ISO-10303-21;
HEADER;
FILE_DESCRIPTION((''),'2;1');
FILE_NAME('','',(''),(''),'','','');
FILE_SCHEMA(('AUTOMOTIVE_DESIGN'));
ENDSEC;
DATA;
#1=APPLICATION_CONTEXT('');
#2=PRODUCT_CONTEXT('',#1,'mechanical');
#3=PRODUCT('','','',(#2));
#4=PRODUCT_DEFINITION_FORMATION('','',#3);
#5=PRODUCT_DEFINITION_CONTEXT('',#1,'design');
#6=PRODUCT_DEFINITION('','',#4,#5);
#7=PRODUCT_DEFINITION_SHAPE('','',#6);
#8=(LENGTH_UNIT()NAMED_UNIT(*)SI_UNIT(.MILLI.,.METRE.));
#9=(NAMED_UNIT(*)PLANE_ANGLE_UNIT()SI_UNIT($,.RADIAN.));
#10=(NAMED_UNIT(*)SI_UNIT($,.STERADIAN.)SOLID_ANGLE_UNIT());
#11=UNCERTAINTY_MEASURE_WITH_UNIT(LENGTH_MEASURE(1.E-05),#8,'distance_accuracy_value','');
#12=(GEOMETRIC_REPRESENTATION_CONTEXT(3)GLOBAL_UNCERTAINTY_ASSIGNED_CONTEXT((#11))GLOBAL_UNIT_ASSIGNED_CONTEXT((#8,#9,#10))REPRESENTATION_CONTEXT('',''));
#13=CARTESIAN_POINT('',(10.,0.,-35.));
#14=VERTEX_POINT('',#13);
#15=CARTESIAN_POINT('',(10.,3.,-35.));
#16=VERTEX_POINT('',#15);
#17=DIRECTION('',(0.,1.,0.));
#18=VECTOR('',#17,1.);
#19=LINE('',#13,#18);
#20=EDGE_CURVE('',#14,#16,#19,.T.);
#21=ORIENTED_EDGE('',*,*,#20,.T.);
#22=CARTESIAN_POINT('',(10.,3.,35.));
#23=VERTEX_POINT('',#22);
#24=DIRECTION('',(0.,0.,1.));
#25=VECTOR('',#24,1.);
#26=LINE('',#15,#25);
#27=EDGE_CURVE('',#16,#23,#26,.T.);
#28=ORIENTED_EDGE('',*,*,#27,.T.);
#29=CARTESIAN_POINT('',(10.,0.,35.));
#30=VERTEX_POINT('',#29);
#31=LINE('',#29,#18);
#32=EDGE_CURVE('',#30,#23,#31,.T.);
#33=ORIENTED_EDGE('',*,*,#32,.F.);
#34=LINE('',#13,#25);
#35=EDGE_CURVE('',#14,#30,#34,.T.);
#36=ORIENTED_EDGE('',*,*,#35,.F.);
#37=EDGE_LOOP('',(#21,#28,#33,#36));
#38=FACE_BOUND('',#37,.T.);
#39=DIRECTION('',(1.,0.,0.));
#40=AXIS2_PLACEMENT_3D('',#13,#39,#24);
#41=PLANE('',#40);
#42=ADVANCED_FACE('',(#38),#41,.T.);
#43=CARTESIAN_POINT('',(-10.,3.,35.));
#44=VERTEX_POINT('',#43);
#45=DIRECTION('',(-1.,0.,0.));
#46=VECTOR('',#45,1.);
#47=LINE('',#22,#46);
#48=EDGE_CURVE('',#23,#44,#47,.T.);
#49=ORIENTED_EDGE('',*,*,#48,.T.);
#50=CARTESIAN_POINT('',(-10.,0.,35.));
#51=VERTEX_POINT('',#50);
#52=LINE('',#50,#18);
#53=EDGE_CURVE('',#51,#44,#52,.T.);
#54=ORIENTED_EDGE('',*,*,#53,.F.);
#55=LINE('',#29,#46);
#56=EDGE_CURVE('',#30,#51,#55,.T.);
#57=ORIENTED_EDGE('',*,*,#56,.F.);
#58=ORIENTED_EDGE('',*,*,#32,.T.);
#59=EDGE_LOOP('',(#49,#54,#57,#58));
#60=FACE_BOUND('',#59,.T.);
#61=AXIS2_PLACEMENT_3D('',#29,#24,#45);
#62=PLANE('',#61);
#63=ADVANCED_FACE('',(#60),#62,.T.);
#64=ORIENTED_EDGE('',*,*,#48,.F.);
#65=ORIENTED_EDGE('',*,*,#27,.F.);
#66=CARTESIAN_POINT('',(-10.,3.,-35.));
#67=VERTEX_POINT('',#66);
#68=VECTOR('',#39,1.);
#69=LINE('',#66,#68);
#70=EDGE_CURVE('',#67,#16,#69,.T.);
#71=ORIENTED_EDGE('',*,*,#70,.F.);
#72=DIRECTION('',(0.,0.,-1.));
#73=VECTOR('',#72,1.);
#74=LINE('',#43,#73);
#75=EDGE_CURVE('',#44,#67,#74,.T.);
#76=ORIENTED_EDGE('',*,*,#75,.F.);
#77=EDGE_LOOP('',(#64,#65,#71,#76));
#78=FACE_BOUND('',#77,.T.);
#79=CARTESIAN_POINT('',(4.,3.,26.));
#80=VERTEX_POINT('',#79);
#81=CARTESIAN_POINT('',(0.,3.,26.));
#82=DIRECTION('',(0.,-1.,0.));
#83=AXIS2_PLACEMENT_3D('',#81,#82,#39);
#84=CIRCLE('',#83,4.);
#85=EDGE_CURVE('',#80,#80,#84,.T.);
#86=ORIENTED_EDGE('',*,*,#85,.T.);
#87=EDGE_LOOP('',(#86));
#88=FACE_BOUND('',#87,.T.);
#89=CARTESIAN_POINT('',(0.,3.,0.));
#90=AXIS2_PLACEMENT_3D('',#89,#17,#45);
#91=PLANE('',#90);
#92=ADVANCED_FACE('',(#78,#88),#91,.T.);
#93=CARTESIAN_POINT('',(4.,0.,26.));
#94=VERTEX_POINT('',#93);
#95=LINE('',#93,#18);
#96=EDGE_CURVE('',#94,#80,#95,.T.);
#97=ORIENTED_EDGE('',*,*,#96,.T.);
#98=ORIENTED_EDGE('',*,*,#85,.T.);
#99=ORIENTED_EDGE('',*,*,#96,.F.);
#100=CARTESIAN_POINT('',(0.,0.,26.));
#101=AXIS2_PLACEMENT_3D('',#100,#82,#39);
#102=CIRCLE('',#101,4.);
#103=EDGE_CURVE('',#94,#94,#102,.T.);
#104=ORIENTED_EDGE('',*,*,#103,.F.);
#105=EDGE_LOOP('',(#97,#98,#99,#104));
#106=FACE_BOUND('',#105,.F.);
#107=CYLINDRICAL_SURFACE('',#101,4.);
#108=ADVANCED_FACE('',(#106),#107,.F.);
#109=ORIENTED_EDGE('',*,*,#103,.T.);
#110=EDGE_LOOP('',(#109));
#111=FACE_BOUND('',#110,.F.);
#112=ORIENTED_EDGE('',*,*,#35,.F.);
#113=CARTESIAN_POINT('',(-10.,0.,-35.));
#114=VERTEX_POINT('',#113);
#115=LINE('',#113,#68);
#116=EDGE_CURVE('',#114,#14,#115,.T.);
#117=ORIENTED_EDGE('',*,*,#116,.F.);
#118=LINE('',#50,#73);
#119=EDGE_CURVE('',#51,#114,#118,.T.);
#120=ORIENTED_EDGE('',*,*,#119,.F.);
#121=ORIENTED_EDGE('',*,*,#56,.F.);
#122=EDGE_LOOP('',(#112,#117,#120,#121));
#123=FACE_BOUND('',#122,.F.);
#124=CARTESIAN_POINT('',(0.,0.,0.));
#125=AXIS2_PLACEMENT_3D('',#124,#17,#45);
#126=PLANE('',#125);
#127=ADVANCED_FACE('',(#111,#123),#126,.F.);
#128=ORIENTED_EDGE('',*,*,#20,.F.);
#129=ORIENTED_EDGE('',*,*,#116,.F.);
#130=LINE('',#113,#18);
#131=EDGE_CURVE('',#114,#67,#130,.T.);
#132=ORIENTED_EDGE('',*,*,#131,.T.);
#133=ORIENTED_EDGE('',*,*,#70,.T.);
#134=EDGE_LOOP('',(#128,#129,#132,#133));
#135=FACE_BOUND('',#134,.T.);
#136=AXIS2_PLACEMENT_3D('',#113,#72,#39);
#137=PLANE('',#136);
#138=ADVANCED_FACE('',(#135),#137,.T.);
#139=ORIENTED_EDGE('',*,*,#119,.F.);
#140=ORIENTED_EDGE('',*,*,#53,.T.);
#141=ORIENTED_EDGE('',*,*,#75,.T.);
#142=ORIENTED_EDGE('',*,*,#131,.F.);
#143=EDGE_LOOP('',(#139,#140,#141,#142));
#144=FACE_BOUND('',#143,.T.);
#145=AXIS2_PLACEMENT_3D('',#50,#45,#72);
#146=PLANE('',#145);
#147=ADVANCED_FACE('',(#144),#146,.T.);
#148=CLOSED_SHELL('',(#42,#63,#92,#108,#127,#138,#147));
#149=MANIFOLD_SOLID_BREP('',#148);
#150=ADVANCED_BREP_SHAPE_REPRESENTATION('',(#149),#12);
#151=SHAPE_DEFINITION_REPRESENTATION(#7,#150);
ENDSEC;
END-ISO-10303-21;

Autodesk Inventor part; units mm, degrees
ref_plane "YZ Plane" through (0, 0, 0) normal (1, 0, 0) x (0, 1, 0)
ref_plane "XZ Plane" through (0, 0, 0) normal (0, 1, 0) x (-1, 0, 0)
ref_plane "XY Plane" through (0, 0, 0) normal (0, 0, 1) x (1, 0, 0)
sketch "Esquisse1" plane through (0, 0, 0) normal (0, 1, 0) x (-1, 0, 0)
  line L0 (-10, 35) -> (10, 35)
  line L1 (10, 35) -> (10, -35)
  line L2 (10, -35) -> (-10, -35)
  line L3 (-10, -35) -> (-10, 35)
  line L4 (-10, 35) -> (10, -35) construction
  line L5 (10, 35) -> (-10, -35) construction
  point P0 (0, 0)
  dimension "d0" = 20
  dimension "d1" = 70
extrude "Extrusion1" add sketch "Esquisse1" along normal blind 3
sketch "Esquisse2" plane through (0, 0, 0) normal (0, -1, 0) x (1, 0, 0)
  circle A0 centre (0, 26) radius 4
  line L0 (10, 35) -> (-10, 35) projected
  point P0 (0, 0)
  dimension "d4" = 8
  dimension "d5" = 9
extrude "Extrusion2" cut sketch "Esquisse2" against normal blind 3
properties part number "Montant"
